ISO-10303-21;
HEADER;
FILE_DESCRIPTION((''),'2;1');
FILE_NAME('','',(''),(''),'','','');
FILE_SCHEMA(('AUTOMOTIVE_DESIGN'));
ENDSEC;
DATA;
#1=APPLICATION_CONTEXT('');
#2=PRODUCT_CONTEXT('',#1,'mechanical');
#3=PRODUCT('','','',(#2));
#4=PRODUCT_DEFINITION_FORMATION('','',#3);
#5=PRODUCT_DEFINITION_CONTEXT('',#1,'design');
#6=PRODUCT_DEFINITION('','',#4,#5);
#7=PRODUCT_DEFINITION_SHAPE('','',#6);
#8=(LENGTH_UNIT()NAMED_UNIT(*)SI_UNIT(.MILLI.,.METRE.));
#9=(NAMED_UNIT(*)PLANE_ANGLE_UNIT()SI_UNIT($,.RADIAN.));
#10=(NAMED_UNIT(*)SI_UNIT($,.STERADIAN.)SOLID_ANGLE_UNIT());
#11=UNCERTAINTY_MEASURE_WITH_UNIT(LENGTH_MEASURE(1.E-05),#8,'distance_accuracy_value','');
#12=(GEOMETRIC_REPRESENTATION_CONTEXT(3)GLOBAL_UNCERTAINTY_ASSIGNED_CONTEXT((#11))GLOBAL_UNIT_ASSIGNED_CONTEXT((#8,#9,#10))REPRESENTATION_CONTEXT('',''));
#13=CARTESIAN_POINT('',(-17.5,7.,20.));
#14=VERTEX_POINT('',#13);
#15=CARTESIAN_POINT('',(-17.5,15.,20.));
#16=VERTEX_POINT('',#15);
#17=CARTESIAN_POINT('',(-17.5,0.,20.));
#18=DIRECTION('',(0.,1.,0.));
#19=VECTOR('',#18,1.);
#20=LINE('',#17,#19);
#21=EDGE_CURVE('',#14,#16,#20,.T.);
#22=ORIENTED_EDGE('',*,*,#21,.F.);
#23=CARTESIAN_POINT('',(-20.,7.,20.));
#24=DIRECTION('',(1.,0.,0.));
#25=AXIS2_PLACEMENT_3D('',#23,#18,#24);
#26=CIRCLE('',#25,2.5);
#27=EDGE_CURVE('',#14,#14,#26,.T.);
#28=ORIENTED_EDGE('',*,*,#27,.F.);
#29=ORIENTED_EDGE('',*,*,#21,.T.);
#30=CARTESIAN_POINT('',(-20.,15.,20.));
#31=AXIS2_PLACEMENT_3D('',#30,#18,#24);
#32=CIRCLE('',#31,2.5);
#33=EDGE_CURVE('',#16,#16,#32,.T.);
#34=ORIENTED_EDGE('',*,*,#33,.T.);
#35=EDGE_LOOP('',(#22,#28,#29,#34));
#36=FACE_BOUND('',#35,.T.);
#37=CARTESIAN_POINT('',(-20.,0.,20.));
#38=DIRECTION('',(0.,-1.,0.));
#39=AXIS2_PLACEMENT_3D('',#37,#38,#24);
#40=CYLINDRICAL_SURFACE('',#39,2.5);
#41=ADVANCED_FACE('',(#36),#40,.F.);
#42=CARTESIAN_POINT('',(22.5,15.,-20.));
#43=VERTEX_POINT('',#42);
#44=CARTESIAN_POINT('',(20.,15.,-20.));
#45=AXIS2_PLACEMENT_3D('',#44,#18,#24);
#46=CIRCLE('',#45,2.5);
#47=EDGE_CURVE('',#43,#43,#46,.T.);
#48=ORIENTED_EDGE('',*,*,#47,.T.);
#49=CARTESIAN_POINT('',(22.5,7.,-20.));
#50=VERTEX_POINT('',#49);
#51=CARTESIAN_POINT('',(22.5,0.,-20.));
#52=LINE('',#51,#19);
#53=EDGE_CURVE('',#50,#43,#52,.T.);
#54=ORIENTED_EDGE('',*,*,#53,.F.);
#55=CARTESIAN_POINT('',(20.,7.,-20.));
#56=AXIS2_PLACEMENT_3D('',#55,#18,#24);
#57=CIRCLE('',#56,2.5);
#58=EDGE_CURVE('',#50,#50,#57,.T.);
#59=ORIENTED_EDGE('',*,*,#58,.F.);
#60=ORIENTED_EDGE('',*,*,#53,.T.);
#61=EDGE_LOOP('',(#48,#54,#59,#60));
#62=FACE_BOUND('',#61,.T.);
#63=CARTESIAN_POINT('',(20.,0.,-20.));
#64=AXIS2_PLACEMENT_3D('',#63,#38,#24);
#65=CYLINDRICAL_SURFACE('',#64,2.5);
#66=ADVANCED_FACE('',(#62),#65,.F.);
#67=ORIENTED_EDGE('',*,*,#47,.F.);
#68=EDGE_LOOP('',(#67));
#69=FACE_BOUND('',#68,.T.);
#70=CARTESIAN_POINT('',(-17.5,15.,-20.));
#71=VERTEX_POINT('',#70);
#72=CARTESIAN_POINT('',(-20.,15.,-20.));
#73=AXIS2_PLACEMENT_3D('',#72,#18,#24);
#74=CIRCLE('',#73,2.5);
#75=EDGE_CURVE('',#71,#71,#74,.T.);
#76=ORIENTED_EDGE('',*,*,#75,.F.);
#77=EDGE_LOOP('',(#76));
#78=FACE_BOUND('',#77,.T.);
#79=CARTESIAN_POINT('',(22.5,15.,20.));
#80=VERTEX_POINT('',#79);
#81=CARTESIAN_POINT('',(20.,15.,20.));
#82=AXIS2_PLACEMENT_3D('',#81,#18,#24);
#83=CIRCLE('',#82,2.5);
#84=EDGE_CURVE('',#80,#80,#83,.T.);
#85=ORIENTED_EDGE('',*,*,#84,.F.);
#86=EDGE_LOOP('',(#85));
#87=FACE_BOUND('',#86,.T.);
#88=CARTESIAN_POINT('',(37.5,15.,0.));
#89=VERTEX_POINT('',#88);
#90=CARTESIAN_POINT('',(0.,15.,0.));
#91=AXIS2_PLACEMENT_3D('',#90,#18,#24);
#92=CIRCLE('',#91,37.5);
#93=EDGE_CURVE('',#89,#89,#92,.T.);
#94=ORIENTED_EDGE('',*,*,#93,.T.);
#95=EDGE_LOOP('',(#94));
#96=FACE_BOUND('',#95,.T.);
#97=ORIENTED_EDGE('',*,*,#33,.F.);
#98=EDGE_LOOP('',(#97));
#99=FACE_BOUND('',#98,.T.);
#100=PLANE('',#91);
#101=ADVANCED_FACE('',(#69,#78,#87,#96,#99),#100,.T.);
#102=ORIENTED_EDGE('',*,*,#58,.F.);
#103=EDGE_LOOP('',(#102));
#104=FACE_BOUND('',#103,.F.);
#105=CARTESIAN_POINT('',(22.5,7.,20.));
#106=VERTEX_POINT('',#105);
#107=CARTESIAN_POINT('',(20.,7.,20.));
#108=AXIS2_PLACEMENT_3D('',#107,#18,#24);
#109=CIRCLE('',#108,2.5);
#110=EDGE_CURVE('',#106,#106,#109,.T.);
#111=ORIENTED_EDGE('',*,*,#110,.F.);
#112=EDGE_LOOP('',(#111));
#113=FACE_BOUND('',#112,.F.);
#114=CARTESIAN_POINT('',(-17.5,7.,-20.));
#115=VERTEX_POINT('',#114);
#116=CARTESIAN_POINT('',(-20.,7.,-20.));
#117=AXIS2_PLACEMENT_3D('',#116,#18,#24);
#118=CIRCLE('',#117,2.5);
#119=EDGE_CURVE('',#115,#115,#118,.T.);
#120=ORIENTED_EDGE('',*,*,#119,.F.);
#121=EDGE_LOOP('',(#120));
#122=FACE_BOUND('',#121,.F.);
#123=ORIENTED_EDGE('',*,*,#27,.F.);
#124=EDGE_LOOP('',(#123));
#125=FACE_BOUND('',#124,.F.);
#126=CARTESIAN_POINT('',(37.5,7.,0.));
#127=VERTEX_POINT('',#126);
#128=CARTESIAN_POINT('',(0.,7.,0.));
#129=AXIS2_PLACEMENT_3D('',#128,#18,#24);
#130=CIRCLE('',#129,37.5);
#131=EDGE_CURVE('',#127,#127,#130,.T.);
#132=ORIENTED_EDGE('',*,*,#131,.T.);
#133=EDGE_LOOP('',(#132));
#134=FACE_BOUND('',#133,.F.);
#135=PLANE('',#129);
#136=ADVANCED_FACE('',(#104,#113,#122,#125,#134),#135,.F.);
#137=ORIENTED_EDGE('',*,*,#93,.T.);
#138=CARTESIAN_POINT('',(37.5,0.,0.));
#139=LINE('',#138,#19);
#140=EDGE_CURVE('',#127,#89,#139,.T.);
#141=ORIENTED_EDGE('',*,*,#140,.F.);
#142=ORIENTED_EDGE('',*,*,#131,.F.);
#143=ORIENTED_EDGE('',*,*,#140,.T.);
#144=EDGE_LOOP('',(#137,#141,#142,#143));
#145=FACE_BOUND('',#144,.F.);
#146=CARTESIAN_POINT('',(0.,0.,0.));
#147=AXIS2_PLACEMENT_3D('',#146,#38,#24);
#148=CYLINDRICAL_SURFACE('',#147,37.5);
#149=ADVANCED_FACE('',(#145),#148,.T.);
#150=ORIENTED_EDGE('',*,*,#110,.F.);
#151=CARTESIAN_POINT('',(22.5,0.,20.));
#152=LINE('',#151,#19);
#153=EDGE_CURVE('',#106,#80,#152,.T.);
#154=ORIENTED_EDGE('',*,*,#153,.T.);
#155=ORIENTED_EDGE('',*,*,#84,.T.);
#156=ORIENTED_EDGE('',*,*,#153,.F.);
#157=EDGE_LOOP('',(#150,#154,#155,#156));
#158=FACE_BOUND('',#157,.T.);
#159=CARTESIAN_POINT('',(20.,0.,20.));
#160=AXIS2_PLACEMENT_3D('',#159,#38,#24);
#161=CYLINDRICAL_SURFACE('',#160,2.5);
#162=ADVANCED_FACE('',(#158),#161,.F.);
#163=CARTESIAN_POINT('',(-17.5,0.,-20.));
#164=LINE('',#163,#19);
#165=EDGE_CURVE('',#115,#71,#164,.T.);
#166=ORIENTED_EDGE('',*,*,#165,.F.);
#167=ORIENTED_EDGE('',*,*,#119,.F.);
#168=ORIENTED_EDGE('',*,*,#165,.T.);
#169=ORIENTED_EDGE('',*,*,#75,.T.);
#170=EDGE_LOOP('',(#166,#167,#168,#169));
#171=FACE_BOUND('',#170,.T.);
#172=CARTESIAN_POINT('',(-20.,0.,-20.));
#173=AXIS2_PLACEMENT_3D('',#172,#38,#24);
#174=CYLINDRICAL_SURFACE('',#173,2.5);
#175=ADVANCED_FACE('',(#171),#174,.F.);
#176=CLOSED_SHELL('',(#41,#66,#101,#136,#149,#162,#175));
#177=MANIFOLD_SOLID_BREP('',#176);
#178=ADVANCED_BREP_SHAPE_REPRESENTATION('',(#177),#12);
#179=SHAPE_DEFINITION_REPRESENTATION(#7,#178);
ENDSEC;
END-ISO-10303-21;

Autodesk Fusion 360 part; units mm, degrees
sketch "Sketch1" plane through (0, 0, 0) normal (0, 1, 0) x (1, 0, 0)
  circle A0 centre (0, 0) radius 37.5
  line L0 (-20, 20) -> (20, 20) construction
  line L1 (20, 20) -> (20, -20) construction
  line L2 (20, -20) -> (-20, -20) construction
  line L3 (-20, -20) -> (-20, 20) construction
  line L4 (-20, 20) -> (20, -20) construction
  circle A1 centre (-20, 20) radius 2.5
  circle A2 centre (20, 20) radius 2.5
  circle A3 centre (-20, -20) radius 2.5
  circle A4 centre (20, -20) radius 2.5
  dimension "d1" = 75
  dimension "d2" = 40
  dimension "d3" = 40
  dimension "d4" = 5
  dimension "d5" = 5
  dimension "d6" = 5
  dimension "d7" = 5
extrude "Extrude1" add sketch "Sketch1" along normal blind 15
extrude "Extrude2" cut 1 faces at (-6.0558, 0, -6.0999) along direction (0, 1, 0) blind 7
equation "d10 = -15 mm + 8 mm"
